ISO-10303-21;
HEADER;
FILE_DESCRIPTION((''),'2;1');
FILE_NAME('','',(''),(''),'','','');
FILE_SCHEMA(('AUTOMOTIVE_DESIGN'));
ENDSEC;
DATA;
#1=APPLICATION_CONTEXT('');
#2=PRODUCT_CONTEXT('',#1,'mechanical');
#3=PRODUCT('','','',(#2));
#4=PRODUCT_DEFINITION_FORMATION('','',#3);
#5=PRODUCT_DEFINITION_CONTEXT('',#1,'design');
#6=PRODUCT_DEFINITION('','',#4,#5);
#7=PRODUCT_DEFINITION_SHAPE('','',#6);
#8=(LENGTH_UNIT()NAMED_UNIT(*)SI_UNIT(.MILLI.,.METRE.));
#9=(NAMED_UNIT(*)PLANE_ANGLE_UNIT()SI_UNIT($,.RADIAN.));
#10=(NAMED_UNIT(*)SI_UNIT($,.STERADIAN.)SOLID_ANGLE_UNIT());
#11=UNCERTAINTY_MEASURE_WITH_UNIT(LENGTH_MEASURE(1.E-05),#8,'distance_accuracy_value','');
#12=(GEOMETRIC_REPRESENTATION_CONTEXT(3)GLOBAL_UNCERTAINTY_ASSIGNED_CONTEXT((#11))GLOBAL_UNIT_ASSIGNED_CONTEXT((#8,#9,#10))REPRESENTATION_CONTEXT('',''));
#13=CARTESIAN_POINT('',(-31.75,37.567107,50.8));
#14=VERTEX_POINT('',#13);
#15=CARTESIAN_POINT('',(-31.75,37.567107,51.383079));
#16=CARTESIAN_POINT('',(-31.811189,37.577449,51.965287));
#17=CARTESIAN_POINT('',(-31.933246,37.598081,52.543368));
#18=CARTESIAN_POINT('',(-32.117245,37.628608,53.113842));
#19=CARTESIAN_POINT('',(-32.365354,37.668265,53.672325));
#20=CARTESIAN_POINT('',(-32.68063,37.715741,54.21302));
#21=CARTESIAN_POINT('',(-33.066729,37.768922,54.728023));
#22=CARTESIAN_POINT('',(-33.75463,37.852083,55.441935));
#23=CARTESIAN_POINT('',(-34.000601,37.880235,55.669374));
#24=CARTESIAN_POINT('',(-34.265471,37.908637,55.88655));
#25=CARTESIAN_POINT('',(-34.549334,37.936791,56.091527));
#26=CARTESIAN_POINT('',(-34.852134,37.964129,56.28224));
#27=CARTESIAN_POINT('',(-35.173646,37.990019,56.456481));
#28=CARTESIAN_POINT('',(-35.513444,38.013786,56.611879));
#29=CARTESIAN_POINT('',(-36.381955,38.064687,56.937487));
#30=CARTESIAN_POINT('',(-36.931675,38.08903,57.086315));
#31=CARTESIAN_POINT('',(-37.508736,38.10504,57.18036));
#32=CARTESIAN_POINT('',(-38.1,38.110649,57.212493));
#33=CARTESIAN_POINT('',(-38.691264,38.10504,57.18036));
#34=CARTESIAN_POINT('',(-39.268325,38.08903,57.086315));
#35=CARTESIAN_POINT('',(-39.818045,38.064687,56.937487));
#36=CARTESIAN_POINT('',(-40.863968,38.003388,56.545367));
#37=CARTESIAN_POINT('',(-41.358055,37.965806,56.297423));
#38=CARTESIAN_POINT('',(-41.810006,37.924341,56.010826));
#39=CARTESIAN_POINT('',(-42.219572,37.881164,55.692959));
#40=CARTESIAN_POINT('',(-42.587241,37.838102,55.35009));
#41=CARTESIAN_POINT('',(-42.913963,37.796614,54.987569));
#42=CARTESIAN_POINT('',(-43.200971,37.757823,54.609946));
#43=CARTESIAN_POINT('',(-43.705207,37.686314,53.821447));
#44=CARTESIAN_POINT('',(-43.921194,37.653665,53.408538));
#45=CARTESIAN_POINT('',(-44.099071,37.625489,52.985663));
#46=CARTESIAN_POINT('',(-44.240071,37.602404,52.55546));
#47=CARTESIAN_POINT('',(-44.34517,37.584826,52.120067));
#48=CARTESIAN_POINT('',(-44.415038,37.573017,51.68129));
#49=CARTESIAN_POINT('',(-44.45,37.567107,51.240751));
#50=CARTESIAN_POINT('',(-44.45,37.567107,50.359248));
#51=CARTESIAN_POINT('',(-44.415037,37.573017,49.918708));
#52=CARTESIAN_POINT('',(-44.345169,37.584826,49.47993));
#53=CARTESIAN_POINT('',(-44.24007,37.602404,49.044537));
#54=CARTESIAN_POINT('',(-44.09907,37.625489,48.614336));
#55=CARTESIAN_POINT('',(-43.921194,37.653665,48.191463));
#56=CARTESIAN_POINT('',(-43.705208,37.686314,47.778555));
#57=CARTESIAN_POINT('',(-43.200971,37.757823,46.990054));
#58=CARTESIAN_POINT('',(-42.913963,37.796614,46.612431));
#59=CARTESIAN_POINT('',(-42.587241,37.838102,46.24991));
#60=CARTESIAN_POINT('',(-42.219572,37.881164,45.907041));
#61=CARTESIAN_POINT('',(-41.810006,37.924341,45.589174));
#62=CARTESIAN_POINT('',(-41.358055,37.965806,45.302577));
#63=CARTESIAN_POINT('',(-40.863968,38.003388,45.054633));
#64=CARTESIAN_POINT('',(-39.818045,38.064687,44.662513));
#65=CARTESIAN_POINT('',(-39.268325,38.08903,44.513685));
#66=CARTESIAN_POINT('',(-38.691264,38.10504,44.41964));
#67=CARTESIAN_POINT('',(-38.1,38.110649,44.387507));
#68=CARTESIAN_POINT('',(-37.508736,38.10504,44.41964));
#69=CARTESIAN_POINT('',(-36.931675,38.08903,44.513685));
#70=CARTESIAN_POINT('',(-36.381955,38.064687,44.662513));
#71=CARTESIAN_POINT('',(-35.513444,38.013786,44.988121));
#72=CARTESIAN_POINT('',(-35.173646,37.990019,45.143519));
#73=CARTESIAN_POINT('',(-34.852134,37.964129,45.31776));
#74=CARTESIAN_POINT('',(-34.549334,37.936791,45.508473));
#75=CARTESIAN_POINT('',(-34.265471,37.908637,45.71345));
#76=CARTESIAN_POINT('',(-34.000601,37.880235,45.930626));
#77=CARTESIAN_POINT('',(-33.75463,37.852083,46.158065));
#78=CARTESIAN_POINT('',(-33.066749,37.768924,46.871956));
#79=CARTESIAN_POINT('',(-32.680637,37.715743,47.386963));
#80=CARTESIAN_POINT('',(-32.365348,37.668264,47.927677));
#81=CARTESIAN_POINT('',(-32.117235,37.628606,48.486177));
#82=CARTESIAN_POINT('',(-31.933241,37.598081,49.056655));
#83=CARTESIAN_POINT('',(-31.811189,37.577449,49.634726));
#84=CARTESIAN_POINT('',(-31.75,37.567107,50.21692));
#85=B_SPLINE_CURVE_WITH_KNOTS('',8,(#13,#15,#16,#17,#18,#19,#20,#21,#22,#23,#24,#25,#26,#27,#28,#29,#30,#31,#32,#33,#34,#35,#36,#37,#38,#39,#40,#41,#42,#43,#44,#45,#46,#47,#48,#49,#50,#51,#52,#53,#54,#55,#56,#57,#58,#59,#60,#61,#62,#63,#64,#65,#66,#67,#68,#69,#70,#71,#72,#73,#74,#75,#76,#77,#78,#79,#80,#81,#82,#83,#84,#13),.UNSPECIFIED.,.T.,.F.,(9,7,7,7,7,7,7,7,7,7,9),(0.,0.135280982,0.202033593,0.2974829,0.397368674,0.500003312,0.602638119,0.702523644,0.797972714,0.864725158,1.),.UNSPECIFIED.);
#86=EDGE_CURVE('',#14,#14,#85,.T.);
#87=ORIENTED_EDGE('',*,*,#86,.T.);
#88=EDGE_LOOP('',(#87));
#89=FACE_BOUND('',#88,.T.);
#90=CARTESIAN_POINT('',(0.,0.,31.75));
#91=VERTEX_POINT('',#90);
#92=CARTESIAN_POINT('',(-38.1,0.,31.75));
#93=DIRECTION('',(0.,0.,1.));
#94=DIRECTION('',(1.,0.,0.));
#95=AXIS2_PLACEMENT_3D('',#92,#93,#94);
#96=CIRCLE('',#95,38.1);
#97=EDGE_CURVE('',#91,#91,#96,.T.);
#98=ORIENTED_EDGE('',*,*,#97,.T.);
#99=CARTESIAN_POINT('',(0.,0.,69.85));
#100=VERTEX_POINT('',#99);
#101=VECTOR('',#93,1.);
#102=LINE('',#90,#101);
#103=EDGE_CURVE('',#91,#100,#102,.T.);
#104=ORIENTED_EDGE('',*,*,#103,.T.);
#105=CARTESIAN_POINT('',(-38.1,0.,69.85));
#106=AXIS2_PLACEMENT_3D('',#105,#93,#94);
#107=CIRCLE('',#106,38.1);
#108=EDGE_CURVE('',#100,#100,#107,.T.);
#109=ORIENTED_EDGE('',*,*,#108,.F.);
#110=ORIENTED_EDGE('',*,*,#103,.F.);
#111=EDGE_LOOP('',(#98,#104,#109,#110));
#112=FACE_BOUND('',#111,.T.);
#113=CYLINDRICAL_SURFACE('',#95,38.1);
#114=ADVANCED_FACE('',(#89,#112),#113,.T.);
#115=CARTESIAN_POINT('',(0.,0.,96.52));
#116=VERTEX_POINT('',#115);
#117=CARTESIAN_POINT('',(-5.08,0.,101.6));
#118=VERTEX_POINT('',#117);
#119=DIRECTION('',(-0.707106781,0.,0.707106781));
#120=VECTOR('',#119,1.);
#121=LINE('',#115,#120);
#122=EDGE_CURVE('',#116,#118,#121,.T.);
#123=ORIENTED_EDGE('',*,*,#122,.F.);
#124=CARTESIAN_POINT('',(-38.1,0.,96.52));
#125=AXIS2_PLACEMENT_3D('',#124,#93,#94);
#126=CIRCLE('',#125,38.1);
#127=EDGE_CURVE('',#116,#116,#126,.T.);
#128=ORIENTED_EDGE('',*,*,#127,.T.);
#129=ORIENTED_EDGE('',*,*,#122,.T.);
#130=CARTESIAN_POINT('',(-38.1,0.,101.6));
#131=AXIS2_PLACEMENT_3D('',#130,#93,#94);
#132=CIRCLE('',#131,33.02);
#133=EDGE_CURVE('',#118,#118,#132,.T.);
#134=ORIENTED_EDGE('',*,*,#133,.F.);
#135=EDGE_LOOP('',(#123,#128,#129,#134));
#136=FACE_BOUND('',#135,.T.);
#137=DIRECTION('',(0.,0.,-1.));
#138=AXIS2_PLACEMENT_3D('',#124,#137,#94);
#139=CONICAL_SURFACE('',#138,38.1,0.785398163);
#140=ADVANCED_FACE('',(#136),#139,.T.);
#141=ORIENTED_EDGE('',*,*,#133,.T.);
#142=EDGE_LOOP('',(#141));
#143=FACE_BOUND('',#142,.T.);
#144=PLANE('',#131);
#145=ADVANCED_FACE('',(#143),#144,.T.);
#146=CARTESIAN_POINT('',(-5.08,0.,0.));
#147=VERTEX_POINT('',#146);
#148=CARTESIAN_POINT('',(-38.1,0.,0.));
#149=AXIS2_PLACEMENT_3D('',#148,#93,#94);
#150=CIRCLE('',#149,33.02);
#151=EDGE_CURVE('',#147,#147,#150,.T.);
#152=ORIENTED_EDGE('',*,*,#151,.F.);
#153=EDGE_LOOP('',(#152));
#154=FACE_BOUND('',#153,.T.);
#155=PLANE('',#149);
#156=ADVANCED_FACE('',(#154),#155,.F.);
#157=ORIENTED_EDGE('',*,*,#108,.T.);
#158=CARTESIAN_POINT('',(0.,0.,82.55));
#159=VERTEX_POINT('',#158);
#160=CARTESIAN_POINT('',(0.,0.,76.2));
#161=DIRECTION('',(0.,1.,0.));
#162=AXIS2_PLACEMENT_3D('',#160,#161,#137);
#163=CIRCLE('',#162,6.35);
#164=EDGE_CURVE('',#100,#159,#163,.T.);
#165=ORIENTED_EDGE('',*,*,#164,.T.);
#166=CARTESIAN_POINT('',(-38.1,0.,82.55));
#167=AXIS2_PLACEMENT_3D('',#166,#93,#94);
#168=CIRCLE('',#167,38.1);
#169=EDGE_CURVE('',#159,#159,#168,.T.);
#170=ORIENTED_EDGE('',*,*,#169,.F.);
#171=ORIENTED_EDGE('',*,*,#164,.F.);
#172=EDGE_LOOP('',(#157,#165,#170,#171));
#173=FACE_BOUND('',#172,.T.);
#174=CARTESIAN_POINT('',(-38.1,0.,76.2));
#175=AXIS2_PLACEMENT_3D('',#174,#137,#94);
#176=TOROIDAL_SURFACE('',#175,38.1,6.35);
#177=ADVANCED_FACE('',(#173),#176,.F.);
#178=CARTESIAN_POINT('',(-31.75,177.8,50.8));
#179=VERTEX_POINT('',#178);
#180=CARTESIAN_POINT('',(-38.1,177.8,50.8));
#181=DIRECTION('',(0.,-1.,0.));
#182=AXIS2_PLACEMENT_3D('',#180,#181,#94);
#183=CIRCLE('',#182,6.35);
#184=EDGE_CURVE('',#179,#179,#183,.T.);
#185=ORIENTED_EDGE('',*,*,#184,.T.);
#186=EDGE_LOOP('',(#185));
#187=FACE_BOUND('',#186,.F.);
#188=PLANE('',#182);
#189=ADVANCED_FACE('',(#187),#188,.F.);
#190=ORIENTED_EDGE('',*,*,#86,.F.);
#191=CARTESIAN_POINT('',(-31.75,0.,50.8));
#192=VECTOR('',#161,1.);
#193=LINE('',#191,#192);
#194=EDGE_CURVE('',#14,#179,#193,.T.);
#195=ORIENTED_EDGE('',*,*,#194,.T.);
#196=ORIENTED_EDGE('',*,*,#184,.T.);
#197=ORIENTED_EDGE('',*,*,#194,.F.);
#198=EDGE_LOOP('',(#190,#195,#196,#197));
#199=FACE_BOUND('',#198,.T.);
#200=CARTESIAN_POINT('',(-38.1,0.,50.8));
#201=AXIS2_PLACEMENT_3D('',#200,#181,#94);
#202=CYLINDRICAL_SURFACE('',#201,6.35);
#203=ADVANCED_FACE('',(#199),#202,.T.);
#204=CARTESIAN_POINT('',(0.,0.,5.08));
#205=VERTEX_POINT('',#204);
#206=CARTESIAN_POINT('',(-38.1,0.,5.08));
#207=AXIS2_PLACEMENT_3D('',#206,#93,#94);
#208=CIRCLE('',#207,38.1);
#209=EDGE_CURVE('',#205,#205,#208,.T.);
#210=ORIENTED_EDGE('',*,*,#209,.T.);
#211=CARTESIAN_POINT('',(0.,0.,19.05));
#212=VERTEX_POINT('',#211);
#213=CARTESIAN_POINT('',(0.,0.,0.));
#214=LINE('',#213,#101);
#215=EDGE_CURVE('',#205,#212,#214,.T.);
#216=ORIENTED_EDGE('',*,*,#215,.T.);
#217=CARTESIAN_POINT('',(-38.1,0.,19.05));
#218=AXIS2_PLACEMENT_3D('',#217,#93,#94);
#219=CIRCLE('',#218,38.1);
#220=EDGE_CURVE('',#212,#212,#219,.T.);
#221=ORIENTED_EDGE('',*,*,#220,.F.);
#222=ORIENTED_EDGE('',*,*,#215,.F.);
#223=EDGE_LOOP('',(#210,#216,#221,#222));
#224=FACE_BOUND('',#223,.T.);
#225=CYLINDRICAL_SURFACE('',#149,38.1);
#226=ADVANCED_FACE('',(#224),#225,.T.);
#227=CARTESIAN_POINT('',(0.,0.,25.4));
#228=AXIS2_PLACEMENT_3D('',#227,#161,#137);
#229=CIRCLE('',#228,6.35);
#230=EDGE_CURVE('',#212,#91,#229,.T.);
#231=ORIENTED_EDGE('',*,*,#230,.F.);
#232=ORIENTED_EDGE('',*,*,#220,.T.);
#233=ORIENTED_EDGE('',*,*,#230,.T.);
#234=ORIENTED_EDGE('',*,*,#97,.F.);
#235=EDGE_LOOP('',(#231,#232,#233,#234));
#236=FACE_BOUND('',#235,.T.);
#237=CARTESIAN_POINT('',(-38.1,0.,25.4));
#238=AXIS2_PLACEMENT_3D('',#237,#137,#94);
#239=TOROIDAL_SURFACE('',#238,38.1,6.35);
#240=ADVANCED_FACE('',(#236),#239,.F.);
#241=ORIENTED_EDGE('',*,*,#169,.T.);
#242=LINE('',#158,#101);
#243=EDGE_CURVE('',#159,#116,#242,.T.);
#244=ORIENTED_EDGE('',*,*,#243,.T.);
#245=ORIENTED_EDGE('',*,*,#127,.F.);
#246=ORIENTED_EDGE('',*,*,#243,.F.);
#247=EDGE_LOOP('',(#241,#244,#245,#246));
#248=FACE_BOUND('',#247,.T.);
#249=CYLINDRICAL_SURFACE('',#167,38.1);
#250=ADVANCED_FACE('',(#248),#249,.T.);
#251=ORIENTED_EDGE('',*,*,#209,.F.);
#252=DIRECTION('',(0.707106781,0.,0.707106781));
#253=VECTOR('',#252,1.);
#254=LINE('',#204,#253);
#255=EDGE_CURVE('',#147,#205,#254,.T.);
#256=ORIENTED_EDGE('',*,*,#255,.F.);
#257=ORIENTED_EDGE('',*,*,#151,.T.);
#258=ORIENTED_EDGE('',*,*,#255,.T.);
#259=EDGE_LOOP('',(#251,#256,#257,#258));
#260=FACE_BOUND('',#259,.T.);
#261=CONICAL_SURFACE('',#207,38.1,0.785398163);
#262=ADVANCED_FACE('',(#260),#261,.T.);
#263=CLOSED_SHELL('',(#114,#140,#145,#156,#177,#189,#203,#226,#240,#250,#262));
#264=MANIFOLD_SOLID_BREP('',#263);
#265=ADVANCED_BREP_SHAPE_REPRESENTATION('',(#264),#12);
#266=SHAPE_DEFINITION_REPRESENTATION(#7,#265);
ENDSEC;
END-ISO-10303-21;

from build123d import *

# Parameters (mm, degrees)
F2_SIZE  = 5.08
F3_R     = 6.35
F4_DEPTH = 127
F5_DEPTH = 177.8


with BuildPart() as f1:
    # F0 (on Front) → F1 (revolve)
    with BuildSketch(Plane.XZ):
        with BuildLine():
            Line((-38.1, 0), (0, 0))
            Line((0, 0), (0, 19.05))
            ThreePointArc((0, 19.05), (-6.35, 25.4), (0, 31.75))
            Line((0, 31.75), (0, 69.85))
            ThreePointArc((0, 69.85), (-6.35, 76.2), (0, 82.55))
            Line((0, 82.55), (0, 101.6))
            Line((0, 101.6), (-38.1, 101.6))
            Line((-38.1, 101.6), (-38.1, 0))
        make_face()
    revolve(axis=Axis((-38.1, 0, 50.8), (0, 0, 1)))

    # F2
    f2_edges = [f1.edges().sort_by_distance(p)[0] for p in [
        (-76.2, 0, 101.6),
        (-76.2, 0, 0),
    ]]
    chamfer(f2_edges, length=F2_SIZE)

    # F3 (on Front) → F4 (cut)
    with BuildSketch(Plane.XZ):
        with Locations((-38.1, 50.8)):
            Circle(F3_R)
    extrude(amount=-F4_DEPTH, mode=Mode.SUBTRACT)

    # F5 (add): a face of the model
    f5_faces = [f1.faces().sort_by_distance(p)[0] for p in [
        (-38.1, 0, 50.8),
    ]]
    extrude(f5_faces, amount=F5_DEPTH)


solid = f1.part
